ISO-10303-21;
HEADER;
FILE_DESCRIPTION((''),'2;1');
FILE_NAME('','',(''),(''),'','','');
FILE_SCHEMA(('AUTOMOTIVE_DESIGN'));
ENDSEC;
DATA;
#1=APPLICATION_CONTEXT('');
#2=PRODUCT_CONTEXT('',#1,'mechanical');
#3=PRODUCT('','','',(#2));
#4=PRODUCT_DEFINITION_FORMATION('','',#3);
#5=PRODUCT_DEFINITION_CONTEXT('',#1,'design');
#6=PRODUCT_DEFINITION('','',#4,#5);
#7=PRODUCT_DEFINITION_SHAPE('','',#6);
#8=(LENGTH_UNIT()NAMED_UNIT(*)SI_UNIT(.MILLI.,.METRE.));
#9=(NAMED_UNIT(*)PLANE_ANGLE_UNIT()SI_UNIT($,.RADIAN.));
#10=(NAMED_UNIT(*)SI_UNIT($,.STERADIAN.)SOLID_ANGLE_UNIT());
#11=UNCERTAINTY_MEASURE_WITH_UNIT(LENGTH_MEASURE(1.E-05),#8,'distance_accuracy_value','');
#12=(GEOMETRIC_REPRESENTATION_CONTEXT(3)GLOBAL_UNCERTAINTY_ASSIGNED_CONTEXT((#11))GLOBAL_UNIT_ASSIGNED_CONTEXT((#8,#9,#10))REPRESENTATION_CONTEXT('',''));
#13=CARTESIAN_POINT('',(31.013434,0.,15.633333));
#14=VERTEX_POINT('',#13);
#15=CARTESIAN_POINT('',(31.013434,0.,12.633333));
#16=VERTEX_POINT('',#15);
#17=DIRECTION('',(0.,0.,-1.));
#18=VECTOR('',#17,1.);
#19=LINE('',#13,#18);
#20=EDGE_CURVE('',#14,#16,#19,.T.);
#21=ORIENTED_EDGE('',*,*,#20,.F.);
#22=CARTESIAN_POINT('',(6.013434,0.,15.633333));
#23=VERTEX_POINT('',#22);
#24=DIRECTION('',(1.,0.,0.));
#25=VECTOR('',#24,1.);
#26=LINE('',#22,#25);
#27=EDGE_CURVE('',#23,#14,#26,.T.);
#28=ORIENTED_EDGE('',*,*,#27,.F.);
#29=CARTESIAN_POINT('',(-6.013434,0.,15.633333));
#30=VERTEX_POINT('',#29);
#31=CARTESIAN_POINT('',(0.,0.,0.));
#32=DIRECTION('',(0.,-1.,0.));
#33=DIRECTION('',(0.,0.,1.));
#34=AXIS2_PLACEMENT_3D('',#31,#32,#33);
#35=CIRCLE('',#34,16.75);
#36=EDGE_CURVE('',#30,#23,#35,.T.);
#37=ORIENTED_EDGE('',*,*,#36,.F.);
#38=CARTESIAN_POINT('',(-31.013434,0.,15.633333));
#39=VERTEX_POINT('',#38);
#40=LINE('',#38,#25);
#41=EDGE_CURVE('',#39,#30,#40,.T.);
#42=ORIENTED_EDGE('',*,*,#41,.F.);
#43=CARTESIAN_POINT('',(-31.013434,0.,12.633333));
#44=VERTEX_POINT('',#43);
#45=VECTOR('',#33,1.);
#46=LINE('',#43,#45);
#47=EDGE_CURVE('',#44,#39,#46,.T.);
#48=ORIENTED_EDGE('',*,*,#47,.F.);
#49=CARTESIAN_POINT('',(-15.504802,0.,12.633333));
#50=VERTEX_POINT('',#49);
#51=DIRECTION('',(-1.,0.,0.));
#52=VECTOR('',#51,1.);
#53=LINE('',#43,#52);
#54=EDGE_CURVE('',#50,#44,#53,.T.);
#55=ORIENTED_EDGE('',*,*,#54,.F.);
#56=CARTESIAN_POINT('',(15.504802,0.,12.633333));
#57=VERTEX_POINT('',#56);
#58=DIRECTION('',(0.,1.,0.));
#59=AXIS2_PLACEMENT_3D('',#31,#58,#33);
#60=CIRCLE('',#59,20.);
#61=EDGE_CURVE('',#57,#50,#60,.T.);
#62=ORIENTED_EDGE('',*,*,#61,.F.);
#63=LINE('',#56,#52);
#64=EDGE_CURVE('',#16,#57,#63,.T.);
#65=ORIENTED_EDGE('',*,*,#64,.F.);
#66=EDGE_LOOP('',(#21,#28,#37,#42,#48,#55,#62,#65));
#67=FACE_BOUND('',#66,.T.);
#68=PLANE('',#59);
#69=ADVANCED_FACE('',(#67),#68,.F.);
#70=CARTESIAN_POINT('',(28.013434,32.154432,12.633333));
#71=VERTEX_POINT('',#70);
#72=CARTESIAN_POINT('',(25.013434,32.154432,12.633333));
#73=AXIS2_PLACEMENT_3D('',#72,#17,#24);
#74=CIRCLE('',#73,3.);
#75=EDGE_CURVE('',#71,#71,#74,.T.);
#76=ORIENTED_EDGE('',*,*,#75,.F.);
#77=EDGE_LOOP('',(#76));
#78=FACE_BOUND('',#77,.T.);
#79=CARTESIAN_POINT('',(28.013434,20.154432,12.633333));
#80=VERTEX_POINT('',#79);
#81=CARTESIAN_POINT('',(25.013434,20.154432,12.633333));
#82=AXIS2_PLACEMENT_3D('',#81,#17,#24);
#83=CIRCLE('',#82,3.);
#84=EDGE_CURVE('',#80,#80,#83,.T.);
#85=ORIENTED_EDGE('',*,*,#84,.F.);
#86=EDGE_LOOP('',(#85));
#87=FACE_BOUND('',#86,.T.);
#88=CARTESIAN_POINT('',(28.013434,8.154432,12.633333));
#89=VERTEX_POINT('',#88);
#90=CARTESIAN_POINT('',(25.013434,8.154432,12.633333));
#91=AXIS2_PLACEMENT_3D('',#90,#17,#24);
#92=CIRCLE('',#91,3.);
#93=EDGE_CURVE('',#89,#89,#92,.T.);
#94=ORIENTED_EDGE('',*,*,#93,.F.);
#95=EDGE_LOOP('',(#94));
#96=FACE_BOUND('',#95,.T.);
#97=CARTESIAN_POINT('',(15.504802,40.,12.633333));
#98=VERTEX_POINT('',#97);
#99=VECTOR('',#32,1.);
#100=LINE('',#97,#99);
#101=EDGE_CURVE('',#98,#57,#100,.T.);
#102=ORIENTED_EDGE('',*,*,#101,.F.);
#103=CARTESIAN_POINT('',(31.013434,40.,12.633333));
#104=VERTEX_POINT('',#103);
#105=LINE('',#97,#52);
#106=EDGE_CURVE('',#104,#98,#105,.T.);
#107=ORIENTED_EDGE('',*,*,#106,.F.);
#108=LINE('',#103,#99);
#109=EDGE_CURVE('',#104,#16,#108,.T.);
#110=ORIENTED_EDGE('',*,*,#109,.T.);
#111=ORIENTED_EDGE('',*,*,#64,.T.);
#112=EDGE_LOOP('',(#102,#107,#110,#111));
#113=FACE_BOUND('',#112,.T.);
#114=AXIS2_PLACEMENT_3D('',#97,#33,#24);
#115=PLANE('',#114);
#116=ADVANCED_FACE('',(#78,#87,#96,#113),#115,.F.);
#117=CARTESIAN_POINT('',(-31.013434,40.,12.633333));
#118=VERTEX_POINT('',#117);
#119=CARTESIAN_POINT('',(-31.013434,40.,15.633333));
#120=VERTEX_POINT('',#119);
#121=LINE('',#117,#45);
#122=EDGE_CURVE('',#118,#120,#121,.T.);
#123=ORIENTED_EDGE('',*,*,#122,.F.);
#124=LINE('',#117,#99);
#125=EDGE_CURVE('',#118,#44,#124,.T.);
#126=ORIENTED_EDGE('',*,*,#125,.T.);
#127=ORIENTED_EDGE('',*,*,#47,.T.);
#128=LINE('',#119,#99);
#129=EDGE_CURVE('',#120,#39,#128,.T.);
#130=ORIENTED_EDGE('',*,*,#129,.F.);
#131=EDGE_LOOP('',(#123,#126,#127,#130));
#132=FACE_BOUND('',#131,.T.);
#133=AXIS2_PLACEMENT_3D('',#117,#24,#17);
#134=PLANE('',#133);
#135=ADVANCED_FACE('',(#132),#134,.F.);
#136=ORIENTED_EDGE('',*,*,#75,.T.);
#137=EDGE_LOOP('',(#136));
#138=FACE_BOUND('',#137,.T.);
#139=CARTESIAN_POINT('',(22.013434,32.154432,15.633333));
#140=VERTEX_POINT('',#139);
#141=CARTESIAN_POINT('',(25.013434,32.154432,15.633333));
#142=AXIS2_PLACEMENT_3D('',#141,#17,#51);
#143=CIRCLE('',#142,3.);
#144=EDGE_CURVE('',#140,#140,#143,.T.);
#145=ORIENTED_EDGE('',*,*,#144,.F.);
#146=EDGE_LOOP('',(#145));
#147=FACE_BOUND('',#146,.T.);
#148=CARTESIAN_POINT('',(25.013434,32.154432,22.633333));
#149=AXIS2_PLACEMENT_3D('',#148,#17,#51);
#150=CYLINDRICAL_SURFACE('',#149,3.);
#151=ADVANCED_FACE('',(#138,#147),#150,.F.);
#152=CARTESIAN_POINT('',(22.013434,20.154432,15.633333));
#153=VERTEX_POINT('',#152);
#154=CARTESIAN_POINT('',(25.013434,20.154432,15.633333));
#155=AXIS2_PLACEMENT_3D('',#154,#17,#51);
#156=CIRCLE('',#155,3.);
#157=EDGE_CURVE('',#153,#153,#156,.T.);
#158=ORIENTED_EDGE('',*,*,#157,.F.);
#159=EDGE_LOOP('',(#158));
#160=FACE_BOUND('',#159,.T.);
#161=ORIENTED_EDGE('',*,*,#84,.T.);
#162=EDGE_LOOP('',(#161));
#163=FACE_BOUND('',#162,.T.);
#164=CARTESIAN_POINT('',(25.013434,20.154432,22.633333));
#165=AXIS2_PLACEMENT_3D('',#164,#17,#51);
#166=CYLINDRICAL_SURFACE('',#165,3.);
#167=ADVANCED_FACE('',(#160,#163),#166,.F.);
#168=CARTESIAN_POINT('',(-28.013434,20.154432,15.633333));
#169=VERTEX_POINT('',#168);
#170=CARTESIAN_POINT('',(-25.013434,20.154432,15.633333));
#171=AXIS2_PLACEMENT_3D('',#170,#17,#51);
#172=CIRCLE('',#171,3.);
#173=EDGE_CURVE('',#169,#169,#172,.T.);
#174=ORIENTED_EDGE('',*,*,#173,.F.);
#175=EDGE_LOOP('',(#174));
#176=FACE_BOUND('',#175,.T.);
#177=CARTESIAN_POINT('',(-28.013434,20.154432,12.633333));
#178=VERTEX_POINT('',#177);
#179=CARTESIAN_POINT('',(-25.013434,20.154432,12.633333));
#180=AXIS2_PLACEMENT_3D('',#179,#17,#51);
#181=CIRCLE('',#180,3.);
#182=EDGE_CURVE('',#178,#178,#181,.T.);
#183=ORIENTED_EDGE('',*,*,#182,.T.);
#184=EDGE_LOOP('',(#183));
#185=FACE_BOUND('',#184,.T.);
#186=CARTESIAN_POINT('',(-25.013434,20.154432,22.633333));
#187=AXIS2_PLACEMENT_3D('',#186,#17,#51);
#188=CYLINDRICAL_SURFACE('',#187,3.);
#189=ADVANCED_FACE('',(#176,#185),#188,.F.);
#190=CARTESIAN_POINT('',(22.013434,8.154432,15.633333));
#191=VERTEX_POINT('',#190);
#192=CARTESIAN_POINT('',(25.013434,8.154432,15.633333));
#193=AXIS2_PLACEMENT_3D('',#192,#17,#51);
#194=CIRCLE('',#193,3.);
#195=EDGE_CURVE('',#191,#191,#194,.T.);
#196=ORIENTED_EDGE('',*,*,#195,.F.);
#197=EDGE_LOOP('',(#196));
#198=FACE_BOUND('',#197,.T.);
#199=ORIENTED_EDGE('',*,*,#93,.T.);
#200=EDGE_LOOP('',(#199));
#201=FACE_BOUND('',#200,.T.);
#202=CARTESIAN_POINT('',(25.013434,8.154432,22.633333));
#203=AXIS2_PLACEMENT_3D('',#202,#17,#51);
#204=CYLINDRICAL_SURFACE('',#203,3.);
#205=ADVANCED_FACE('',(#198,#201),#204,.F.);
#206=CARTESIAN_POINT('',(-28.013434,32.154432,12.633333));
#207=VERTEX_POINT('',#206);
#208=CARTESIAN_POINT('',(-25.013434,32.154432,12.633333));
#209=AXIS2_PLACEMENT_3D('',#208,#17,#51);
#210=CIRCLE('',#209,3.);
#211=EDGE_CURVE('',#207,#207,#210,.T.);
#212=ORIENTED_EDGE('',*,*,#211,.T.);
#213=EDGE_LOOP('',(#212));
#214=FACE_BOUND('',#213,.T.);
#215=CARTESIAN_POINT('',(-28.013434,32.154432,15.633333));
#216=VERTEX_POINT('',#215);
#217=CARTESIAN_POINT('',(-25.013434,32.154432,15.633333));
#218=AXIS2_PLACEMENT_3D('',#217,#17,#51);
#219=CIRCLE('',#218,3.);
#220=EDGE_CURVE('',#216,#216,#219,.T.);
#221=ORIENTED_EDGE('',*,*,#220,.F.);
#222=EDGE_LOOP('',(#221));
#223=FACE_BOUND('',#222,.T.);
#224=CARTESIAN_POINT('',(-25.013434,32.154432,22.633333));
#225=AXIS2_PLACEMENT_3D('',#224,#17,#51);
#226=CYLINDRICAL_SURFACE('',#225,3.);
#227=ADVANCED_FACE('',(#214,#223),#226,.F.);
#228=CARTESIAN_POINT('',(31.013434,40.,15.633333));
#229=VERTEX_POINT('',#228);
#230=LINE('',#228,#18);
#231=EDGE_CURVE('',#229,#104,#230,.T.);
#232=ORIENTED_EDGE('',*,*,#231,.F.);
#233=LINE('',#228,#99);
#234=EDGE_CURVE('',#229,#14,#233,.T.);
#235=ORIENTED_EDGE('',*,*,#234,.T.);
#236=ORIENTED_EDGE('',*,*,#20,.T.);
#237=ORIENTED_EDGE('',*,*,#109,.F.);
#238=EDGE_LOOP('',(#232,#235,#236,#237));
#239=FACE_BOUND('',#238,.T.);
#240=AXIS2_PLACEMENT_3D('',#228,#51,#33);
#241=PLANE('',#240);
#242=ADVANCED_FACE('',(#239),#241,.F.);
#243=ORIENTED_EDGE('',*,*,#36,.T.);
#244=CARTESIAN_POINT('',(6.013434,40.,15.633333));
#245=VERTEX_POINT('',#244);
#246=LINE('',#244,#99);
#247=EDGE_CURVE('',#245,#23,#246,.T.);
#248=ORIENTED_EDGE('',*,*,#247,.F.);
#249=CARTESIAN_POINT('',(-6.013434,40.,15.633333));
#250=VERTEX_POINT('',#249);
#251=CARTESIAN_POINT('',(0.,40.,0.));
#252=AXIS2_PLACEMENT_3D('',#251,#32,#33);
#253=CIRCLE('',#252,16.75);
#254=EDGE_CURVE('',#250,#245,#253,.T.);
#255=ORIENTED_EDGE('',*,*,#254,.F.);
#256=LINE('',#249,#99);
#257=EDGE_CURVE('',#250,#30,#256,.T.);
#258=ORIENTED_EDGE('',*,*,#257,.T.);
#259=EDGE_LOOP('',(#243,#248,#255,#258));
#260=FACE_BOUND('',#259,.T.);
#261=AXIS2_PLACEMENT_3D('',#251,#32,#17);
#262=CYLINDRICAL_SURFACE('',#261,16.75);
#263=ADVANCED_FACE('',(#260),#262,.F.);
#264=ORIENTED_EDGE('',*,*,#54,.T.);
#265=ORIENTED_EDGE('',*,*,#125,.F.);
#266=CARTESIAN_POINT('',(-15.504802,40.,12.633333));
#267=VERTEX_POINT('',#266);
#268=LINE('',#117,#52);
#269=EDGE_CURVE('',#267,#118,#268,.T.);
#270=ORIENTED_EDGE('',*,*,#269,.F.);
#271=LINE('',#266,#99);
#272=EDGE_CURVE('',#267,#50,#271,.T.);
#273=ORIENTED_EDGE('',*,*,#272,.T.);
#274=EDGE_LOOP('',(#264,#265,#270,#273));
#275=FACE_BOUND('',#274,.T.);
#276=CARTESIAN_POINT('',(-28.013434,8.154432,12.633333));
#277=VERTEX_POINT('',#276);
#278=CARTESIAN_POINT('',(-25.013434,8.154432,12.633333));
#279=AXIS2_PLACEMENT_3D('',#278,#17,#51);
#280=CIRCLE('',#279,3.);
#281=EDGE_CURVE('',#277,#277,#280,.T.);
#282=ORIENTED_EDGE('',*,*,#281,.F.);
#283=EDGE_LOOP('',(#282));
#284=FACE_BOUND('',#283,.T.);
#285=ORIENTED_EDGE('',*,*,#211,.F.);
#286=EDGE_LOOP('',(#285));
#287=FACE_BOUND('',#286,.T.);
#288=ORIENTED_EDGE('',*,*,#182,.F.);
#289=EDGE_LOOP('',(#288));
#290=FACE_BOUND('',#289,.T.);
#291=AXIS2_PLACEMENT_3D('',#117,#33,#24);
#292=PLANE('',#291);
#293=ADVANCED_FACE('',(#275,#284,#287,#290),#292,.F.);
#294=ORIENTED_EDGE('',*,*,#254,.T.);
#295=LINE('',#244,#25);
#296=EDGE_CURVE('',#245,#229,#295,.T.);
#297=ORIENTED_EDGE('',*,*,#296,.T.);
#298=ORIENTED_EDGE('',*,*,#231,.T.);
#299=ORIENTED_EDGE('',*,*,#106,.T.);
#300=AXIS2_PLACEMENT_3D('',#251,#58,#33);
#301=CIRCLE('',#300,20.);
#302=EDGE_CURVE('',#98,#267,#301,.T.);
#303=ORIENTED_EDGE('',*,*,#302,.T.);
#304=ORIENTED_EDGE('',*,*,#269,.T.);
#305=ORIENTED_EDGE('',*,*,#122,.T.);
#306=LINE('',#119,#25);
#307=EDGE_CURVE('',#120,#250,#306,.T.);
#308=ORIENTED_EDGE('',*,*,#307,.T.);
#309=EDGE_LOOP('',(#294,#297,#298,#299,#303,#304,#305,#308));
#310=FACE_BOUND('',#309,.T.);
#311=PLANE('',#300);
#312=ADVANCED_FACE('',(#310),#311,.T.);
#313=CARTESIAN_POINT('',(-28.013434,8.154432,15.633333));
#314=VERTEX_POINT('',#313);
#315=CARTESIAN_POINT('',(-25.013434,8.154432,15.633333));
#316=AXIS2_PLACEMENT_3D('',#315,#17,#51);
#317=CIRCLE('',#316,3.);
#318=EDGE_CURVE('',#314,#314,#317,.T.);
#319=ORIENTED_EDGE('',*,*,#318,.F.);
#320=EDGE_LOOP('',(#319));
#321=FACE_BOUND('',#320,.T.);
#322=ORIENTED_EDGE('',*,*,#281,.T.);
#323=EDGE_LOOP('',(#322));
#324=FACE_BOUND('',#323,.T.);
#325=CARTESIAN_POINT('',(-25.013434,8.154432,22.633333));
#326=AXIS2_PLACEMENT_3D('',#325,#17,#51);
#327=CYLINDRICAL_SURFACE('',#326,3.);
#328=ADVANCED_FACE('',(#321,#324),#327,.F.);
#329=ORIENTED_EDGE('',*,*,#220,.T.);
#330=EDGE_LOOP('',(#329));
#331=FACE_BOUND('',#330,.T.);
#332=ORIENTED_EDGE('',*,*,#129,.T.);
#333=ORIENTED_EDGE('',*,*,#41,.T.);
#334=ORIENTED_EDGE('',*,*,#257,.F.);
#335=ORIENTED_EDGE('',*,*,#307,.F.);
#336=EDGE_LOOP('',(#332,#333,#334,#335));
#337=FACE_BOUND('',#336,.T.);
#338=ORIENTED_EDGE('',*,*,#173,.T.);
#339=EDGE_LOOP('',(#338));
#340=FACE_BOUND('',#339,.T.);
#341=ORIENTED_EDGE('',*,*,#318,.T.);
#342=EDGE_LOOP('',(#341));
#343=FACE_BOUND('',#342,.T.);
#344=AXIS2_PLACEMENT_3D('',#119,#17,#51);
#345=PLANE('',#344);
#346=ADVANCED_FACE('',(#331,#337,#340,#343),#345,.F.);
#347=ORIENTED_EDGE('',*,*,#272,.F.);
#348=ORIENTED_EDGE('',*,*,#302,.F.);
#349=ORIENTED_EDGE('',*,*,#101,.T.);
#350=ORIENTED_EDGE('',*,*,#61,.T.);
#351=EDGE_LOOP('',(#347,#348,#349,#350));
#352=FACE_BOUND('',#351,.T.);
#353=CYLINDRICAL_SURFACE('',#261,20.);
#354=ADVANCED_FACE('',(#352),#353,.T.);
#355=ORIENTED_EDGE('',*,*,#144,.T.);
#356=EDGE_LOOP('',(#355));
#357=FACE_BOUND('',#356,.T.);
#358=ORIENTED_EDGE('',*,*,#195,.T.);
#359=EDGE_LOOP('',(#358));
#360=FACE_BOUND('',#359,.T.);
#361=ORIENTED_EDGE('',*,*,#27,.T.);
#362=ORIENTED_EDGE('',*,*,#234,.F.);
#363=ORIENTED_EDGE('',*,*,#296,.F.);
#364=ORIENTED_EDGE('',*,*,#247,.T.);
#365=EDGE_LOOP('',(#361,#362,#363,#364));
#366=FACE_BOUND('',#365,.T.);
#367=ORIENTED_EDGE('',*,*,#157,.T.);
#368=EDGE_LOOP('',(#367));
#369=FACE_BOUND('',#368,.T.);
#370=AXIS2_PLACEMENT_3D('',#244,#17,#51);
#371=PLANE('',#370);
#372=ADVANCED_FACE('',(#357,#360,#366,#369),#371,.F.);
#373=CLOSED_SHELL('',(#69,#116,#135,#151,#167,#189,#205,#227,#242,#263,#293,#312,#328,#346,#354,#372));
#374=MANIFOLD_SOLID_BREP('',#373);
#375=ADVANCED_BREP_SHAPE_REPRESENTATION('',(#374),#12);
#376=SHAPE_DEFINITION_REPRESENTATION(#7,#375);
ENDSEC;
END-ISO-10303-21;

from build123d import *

# Parameters (mm, degrees)
SALIENTE_EXTRUIR1_DEPTH = 40
CROQUIS2_R              = 3
CORTAR_EXTRUIR1_DEPTH   = 10


with BuildPart() as part:
    # Croquis1 → Saliente-Extruir1 (new body)
    with BuildSketch(Plane(origin=(0, 0, 0), x_dir=(1, 0, 0), z_dir=(0, 1, 0))):
        with BuildLine():
            Line((6.013434035, -15.633333333), (31.013434035, -15.633333333))
            Line((31.013434035, -15.633333333), (31.013434035, -12.633333333))
            Line((31.013434035, -12.633333333), (15.504802123, -12.633333333))
            ThreePointArc((15.504802123, -12.633333333), (0, 20), (-15.504802123, -12.633333333))
            Line((-15.504802123, -12.633333333), (-31.013434035, -12.633333333))
            Line((-31.013434035, -12.633333333), (-31.013434035, -15.633333333))
            Line((-31.013434035, -15.633333333), (-6.013434035, -15.633333333))
            ThreePointArc((-6.013434035, -15.633333333), (0, 16.75), (6.013434035, -15.633333333))
        make_face()
    extrude(amount=SALIENTE_EXTRUIR1_DEPTH)

    # Croquis2 → Cortar-Extruir1 (cut)
    with BuildSketch(Plane(origin=(0, 0, 12.633333333), x_dir=(-1, 0, 0), z_dir=(0, 0, -1))):
        with Locations((25.013434035, 8.154431535)):
            Circle(CROQUIS2_R)
        with Locations((25.013434035, 20.154431535)):
            Circle(CROQUIS2_R)
        with Locations((25.013434035, 32.154431535)):
            Circle(CROQUIS2_R)
        with Locations((-25.013434035, 32.154431535)):
            Circle(CROQUIS2_R)
        with Locations((-25.013434035, 8.154431535)):
            Circle(CROQUIS2_R)
        with Locations((-25.013434035, 20.154431535)):
            Circle(CROQUIS2_R)
    extrude(amount=-CORTAR_EXTRUIR1_DEPTH, mode=Mode.SUBTRACT)


solid = part.part
